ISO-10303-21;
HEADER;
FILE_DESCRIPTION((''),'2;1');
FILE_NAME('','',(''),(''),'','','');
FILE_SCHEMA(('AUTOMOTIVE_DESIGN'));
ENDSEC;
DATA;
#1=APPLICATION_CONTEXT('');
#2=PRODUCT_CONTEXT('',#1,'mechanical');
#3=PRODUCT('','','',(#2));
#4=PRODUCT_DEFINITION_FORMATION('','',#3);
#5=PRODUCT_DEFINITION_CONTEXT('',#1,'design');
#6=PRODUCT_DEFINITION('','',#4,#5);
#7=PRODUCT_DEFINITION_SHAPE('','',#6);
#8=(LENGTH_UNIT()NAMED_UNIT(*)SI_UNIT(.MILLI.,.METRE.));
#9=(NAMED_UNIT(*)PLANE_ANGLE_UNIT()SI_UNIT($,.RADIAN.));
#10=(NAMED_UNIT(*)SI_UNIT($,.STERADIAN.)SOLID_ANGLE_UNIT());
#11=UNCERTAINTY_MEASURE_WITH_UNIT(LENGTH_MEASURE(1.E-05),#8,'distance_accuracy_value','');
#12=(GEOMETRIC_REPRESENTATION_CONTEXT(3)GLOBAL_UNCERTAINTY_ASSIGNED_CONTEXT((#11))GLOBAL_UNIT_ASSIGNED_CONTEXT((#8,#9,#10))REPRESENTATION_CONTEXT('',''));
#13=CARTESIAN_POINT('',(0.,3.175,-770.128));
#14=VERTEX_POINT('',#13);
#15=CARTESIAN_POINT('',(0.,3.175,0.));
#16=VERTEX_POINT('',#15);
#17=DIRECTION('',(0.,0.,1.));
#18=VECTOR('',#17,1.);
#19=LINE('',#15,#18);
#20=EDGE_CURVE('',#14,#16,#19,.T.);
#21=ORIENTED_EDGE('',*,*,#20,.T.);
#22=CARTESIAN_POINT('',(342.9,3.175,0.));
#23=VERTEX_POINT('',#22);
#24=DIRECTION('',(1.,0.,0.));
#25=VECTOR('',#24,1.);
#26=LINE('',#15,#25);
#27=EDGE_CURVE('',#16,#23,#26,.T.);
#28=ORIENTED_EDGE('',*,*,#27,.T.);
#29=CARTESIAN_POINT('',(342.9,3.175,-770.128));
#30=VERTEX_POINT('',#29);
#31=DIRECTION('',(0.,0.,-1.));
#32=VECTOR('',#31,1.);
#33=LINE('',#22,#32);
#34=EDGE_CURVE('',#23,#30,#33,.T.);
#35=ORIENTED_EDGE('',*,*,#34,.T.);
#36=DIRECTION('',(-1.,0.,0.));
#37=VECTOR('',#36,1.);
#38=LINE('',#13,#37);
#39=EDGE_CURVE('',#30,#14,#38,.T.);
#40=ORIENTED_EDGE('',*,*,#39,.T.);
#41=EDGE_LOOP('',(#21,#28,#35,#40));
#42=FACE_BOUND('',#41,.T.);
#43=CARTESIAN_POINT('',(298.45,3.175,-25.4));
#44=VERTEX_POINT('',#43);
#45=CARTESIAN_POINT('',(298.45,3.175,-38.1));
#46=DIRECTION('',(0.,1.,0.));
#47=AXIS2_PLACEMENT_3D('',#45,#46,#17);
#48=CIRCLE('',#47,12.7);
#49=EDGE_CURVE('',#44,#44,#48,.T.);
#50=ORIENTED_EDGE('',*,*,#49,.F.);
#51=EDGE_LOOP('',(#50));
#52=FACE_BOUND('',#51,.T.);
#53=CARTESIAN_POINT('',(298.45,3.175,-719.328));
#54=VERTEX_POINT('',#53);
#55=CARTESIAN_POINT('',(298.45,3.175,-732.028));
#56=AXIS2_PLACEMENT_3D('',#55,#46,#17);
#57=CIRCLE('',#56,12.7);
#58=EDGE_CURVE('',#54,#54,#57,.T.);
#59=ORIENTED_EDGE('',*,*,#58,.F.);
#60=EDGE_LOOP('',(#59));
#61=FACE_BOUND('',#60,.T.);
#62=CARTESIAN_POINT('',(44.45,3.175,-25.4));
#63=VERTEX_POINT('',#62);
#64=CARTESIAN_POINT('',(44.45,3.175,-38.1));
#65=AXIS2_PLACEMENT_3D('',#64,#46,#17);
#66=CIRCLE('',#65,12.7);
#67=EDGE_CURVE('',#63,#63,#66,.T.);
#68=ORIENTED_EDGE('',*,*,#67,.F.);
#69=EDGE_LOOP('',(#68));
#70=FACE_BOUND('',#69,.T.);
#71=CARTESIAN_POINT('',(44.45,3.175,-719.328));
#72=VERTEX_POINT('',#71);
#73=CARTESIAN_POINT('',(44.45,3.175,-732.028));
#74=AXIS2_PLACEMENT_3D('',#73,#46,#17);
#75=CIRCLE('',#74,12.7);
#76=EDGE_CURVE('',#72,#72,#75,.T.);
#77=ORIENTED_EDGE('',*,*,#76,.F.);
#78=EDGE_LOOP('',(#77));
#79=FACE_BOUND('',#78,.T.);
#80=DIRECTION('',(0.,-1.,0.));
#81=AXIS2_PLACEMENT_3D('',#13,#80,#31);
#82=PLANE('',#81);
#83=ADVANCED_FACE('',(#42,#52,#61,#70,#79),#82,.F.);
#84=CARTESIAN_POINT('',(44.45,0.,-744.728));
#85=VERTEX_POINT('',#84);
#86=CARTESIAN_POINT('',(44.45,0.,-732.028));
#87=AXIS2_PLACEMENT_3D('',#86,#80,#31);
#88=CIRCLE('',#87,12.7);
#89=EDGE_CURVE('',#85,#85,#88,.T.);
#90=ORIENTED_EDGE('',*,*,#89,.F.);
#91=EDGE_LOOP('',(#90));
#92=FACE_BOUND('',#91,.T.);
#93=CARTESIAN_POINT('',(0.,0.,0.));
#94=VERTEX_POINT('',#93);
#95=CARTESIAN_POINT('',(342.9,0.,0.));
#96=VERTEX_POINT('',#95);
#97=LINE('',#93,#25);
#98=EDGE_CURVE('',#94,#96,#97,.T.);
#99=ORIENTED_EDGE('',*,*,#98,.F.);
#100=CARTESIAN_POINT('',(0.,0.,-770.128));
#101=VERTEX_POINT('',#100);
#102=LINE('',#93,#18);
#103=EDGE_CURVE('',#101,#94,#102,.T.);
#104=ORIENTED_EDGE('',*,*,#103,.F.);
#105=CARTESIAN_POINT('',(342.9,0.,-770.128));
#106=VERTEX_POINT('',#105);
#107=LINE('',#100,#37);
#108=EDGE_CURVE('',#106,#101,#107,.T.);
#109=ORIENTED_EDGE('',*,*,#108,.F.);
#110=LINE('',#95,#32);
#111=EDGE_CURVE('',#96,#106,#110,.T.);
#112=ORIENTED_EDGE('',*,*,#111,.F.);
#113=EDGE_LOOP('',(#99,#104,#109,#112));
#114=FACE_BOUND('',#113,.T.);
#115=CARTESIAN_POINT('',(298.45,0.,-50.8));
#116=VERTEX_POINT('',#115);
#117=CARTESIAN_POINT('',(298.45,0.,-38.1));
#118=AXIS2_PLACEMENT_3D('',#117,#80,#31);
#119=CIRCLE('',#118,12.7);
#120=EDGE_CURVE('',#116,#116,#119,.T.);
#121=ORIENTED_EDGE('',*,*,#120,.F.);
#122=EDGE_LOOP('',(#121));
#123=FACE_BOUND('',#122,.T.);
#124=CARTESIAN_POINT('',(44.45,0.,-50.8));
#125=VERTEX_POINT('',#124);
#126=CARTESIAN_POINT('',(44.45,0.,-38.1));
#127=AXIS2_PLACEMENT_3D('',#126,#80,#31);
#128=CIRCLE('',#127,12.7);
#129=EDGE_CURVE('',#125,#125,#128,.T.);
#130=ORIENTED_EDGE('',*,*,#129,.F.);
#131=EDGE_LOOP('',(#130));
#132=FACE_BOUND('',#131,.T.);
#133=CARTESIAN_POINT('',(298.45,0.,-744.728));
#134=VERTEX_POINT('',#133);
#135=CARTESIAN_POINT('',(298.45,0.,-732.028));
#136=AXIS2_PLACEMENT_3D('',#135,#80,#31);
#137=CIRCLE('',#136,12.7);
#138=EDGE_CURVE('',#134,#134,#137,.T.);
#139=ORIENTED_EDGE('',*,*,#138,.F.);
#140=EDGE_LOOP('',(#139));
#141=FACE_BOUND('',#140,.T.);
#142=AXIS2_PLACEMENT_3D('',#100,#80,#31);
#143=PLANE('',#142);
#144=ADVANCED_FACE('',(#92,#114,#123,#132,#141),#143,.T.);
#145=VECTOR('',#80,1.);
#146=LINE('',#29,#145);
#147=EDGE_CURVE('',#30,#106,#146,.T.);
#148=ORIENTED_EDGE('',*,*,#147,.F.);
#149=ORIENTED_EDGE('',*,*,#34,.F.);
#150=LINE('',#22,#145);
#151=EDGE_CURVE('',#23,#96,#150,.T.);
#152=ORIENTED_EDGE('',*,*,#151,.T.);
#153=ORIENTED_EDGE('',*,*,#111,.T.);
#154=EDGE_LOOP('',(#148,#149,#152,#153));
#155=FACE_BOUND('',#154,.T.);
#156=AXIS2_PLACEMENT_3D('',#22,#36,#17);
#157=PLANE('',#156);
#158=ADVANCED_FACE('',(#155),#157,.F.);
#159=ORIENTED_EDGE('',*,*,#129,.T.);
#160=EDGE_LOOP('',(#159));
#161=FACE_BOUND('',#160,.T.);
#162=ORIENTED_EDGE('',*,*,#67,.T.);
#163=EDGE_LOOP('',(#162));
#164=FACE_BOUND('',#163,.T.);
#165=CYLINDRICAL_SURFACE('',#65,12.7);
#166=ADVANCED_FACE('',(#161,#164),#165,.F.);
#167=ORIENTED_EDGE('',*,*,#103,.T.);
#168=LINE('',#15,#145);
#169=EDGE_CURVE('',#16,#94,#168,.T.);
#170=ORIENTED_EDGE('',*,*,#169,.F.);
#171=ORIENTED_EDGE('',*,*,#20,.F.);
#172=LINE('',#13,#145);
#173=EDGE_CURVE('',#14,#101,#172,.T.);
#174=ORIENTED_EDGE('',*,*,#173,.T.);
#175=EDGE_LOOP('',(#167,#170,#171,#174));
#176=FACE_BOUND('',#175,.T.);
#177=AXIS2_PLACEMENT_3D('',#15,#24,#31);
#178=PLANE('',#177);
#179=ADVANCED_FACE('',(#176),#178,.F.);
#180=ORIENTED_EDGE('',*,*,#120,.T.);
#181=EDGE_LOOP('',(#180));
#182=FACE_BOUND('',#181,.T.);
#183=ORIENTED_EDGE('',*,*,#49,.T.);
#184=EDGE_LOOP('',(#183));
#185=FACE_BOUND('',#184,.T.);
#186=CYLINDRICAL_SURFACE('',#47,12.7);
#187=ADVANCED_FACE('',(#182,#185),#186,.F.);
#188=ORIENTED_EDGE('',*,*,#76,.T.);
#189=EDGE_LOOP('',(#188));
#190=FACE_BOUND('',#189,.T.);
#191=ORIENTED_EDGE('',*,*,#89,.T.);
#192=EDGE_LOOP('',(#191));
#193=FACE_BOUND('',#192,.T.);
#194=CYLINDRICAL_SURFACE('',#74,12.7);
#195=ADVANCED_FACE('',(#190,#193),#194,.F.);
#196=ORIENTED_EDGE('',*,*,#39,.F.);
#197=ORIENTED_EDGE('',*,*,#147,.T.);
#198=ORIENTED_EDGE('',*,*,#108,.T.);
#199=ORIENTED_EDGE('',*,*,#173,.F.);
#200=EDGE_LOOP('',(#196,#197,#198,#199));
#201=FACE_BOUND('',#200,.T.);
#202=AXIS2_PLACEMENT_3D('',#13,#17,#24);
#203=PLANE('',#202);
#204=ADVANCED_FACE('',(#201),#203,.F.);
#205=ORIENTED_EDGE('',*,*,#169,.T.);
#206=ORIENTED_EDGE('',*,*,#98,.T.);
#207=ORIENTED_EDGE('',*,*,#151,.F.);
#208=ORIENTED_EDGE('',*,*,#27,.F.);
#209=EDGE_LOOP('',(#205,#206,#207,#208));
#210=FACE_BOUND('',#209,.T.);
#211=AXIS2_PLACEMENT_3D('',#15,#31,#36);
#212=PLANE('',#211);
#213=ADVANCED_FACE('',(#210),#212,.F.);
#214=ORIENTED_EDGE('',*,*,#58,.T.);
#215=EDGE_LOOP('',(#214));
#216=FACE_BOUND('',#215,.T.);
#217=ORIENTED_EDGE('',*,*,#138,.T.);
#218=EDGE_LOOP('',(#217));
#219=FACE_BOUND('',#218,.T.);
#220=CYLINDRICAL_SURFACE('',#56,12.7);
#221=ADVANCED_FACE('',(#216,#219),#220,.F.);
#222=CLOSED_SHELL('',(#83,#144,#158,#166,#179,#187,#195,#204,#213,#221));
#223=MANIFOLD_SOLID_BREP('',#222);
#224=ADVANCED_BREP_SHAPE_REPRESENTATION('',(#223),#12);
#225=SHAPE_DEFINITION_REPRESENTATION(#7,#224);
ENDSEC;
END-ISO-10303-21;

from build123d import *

# Parameters (mm, degrees)
SKETCH1_W                  = 342.9
SKETCH1_H                  = 770.128
BOSS_EXTRUDE1_DEPTH        = 3.175
F_1_1_DIAMETER_HOLE1_D     = 25.4
F_1_1_DIAMETER_HOLE1_DEPTH = 20.574
F_1_1_DIAMETER_HOLE1_TIP   = 7.630929862


with BuildPart() as part:
    # Sketch1 → Boss-Extrude1 (new body)
    with BuildSketch(Plane(origin=(0, 0, 0), x_dir=(1, 0, 0), z_dir=(0, 1, 0))):
        with Locations((171.45, 385.064)):
            Rectangle(SKETCH1_W, SKETCH1_H)
    extrude(amount=BOSS_EXTRUDE1_DEPTH)

    # 1 (1) Diameter Hole1
    with Locations(Plane(origin=(0, 3.175, 0), x_dir=(-1, 0, 0), z_dir=(0, 1, 0))):
        with Locations((-44.45, -38.1), (-44.45, -732.028), (-298.45, -732.028), (-298.45, -38.1)):
            Hole(F_1_1_DIAMETER_HOLE1_D / 2, depth=F_1_1_DIAMETER_HOLE1_DEPTH)
            with Locations((0, 0, -(F_1_1_DIAMETER_HOLE1_DEPTH + F_1_1_DIAMETER_HOLE1_TIP / 2))):  # 118° drill point
                Cone(0, F_1_1_DIAMETER_HOLE1_D / 2, F_1_1_DIAMETER_HOLE1_TIP, mode=Mode.SUBTRACT)


solid = part.part
